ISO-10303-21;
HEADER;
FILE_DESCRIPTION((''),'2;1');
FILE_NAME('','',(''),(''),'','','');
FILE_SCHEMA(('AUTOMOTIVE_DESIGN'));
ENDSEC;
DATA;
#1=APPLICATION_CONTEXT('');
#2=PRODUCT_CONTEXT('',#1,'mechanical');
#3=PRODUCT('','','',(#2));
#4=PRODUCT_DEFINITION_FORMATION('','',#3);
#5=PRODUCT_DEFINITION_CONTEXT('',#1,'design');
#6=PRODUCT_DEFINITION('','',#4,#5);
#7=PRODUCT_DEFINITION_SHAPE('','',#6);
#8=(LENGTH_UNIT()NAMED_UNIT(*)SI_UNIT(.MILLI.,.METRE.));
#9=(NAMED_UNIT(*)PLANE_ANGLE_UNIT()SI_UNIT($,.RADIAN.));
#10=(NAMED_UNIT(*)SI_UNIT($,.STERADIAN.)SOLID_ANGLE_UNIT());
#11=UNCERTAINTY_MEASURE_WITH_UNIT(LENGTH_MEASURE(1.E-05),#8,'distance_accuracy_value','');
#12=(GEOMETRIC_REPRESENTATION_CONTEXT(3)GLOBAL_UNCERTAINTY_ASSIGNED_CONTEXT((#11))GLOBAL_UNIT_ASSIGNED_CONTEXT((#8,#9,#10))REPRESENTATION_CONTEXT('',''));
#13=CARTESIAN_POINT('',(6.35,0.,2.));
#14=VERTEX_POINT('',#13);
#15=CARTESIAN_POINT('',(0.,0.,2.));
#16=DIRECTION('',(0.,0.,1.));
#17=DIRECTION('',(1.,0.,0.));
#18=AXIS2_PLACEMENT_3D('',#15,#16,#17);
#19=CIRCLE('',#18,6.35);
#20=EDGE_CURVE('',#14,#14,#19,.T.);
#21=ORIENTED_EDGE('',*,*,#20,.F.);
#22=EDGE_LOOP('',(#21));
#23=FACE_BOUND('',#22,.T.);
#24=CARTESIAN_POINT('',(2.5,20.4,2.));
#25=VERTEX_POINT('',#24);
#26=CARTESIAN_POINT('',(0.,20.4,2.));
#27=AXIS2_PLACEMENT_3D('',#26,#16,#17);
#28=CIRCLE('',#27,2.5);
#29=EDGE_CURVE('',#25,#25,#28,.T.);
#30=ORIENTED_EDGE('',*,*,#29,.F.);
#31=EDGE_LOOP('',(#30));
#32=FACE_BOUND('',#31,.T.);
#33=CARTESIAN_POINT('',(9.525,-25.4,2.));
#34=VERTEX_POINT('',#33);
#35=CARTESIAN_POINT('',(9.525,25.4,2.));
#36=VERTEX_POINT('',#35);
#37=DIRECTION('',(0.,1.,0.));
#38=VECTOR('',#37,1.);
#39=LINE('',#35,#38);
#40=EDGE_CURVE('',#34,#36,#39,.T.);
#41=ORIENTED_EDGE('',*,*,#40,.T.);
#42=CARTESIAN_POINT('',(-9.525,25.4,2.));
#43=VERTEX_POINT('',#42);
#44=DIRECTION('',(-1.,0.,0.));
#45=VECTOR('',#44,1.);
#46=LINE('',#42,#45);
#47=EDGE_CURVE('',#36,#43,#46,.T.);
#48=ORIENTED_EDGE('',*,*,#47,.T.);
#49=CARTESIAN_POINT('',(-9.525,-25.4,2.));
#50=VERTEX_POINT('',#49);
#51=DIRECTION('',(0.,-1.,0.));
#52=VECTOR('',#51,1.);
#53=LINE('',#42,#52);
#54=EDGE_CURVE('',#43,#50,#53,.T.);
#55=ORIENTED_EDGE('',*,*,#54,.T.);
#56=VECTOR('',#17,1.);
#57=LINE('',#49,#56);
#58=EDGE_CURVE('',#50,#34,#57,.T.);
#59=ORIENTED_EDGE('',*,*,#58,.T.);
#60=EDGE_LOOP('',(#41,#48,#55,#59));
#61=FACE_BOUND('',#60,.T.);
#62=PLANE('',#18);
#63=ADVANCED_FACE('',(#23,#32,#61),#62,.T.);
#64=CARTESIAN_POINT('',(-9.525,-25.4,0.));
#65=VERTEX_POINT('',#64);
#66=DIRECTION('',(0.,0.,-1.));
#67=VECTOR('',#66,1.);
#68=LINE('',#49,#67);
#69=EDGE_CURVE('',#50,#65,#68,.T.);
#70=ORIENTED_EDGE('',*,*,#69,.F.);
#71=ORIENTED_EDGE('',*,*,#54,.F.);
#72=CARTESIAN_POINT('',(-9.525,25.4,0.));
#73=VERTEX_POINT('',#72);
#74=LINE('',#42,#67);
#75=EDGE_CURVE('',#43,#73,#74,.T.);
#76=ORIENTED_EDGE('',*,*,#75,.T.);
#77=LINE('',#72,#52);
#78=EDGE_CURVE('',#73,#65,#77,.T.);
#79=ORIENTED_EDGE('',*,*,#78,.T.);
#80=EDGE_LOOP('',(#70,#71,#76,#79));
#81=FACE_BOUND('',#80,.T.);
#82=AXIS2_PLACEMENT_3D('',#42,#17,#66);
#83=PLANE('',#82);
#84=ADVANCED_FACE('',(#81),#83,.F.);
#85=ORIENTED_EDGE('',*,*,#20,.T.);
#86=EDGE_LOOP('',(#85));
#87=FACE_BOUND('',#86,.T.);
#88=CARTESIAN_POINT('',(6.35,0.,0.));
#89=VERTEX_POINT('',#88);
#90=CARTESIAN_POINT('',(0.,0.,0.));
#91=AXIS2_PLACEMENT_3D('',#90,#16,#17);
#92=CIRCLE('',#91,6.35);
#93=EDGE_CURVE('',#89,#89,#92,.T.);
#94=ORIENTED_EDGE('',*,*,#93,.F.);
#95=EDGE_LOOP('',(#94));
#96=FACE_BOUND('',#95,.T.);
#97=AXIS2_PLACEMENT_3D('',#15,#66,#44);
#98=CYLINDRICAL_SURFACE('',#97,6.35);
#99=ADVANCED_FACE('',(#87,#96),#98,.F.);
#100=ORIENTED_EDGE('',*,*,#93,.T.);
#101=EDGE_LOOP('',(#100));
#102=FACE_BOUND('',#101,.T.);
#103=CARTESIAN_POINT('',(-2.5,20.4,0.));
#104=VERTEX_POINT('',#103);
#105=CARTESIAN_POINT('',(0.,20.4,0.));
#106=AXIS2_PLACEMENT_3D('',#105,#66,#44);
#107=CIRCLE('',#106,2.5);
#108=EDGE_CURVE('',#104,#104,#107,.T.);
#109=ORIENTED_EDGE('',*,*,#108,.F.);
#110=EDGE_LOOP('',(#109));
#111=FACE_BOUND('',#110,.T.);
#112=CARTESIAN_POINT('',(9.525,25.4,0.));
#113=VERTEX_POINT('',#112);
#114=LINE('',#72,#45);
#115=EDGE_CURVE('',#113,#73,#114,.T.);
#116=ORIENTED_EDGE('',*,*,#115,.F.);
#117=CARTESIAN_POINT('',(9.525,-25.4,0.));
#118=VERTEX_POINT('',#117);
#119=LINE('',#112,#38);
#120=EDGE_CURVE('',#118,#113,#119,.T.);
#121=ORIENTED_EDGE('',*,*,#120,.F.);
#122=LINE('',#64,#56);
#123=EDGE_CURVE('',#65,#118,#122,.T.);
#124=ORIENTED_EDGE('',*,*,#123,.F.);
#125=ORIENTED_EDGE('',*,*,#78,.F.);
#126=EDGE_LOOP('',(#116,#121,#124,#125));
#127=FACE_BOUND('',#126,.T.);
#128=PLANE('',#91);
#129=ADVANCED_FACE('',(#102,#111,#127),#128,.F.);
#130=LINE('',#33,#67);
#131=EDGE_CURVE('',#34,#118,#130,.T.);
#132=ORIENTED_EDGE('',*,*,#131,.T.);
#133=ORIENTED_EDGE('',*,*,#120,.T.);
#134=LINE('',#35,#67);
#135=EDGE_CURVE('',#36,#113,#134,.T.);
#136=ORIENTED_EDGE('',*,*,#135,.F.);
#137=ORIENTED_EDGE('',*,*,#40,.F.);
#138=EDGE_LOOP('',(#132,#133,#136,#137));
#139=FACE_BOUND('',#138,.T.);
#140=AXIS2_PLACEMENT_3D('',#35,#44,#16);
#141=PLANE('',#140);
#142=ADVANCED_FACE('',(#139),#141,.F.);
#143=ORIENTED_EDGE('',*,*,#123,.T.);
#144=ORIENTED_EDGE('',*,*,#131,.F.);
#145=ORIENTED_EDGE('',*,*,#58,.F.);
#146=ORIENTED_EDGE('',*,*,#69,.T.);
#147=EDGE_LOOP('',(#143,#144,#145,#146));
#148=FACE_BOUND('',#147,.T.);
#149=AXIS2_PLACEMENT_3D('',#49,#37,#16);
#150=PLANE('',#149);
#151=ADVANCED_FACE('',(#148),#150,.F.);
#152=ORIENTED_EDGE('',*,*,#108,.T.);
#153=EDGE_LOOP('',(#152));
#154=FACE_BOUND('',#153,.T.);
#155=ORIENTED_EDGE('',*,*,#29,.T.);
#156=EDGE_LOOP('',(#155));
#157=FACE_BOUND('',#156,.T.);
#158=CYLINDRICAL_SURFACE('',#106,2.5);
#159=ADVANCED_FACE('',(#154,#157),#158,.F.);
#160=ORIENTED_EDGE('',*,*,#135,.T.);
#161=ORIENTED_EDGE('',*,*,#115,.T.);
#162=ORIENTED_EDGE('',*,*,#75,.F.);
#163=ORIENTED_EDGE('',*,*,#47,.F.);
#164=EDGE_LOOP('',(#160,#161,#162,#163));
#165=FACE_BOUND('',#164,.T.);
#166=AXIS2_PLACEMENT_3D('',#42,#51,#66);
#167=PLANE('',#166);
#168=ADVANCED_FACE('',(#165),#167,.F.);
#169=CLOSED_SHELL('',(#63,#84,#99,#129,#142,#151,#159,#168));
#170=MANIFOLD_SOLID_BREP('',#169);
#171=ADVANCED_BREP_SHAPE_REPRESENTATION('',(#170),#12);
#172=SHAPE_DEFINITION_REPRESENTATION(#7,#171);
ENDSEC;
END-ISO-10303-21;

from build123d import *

# Parameters (mm, degrees)
SKETCH1_W                    = 19.05
SKETCH1_H                    = 50.8
SKETCH1_R                    = 6.35
BOSS_EXTRUDE1_DEPTH          = 2
F_5_0_5_DIAMETER_HOLE1_D     = 5
F_5_0_5_DIAMETER_HOLE1_DEPTH = 5
F_5_0_5_DIAMETER_HOLE1_TIP   = 1.502151548


with BuildPart() as part:
    # Sketch1 → Boss-Extrude1 (new body)
    with BuildSketch(Plane.XY):
        Rectangle(SKETCH1_W, SKETCH1_H)
        Circle(SKETCH1_R, mode=Mode.SUBTRACT)
    extrude(amount=BOSS_EXTRUDE1_DEPTH)

    # Ø5.0 (5) Diameter Hole1
    with Locations(Plane(origin=(0, 0, 0), x_dir=(-1, 0, 0), z_dir=(0, 0, -1))):
        with Locations((0, 20.4)):
            Hole(F_5_0_5_DIAMETER_HOLE1_D / 2, depth=F_5_0_5_DIAMETER_HOLE1_DEPTH)
            with Locations((0, 0, -(F_5_0_5_DIAMETER_HOLE1_DEPTH + F_5_0_5_DIAMETER_HOLE1_TIP / 2))):  # 118° drill point
                Cone(0, F_5_0_5_DIAMETER_HOLE1_D / 2, F_5_0_5_DIAMETER_HOLE1_TIP, mode=Mode.SUBTRACT)


solid = part.part
